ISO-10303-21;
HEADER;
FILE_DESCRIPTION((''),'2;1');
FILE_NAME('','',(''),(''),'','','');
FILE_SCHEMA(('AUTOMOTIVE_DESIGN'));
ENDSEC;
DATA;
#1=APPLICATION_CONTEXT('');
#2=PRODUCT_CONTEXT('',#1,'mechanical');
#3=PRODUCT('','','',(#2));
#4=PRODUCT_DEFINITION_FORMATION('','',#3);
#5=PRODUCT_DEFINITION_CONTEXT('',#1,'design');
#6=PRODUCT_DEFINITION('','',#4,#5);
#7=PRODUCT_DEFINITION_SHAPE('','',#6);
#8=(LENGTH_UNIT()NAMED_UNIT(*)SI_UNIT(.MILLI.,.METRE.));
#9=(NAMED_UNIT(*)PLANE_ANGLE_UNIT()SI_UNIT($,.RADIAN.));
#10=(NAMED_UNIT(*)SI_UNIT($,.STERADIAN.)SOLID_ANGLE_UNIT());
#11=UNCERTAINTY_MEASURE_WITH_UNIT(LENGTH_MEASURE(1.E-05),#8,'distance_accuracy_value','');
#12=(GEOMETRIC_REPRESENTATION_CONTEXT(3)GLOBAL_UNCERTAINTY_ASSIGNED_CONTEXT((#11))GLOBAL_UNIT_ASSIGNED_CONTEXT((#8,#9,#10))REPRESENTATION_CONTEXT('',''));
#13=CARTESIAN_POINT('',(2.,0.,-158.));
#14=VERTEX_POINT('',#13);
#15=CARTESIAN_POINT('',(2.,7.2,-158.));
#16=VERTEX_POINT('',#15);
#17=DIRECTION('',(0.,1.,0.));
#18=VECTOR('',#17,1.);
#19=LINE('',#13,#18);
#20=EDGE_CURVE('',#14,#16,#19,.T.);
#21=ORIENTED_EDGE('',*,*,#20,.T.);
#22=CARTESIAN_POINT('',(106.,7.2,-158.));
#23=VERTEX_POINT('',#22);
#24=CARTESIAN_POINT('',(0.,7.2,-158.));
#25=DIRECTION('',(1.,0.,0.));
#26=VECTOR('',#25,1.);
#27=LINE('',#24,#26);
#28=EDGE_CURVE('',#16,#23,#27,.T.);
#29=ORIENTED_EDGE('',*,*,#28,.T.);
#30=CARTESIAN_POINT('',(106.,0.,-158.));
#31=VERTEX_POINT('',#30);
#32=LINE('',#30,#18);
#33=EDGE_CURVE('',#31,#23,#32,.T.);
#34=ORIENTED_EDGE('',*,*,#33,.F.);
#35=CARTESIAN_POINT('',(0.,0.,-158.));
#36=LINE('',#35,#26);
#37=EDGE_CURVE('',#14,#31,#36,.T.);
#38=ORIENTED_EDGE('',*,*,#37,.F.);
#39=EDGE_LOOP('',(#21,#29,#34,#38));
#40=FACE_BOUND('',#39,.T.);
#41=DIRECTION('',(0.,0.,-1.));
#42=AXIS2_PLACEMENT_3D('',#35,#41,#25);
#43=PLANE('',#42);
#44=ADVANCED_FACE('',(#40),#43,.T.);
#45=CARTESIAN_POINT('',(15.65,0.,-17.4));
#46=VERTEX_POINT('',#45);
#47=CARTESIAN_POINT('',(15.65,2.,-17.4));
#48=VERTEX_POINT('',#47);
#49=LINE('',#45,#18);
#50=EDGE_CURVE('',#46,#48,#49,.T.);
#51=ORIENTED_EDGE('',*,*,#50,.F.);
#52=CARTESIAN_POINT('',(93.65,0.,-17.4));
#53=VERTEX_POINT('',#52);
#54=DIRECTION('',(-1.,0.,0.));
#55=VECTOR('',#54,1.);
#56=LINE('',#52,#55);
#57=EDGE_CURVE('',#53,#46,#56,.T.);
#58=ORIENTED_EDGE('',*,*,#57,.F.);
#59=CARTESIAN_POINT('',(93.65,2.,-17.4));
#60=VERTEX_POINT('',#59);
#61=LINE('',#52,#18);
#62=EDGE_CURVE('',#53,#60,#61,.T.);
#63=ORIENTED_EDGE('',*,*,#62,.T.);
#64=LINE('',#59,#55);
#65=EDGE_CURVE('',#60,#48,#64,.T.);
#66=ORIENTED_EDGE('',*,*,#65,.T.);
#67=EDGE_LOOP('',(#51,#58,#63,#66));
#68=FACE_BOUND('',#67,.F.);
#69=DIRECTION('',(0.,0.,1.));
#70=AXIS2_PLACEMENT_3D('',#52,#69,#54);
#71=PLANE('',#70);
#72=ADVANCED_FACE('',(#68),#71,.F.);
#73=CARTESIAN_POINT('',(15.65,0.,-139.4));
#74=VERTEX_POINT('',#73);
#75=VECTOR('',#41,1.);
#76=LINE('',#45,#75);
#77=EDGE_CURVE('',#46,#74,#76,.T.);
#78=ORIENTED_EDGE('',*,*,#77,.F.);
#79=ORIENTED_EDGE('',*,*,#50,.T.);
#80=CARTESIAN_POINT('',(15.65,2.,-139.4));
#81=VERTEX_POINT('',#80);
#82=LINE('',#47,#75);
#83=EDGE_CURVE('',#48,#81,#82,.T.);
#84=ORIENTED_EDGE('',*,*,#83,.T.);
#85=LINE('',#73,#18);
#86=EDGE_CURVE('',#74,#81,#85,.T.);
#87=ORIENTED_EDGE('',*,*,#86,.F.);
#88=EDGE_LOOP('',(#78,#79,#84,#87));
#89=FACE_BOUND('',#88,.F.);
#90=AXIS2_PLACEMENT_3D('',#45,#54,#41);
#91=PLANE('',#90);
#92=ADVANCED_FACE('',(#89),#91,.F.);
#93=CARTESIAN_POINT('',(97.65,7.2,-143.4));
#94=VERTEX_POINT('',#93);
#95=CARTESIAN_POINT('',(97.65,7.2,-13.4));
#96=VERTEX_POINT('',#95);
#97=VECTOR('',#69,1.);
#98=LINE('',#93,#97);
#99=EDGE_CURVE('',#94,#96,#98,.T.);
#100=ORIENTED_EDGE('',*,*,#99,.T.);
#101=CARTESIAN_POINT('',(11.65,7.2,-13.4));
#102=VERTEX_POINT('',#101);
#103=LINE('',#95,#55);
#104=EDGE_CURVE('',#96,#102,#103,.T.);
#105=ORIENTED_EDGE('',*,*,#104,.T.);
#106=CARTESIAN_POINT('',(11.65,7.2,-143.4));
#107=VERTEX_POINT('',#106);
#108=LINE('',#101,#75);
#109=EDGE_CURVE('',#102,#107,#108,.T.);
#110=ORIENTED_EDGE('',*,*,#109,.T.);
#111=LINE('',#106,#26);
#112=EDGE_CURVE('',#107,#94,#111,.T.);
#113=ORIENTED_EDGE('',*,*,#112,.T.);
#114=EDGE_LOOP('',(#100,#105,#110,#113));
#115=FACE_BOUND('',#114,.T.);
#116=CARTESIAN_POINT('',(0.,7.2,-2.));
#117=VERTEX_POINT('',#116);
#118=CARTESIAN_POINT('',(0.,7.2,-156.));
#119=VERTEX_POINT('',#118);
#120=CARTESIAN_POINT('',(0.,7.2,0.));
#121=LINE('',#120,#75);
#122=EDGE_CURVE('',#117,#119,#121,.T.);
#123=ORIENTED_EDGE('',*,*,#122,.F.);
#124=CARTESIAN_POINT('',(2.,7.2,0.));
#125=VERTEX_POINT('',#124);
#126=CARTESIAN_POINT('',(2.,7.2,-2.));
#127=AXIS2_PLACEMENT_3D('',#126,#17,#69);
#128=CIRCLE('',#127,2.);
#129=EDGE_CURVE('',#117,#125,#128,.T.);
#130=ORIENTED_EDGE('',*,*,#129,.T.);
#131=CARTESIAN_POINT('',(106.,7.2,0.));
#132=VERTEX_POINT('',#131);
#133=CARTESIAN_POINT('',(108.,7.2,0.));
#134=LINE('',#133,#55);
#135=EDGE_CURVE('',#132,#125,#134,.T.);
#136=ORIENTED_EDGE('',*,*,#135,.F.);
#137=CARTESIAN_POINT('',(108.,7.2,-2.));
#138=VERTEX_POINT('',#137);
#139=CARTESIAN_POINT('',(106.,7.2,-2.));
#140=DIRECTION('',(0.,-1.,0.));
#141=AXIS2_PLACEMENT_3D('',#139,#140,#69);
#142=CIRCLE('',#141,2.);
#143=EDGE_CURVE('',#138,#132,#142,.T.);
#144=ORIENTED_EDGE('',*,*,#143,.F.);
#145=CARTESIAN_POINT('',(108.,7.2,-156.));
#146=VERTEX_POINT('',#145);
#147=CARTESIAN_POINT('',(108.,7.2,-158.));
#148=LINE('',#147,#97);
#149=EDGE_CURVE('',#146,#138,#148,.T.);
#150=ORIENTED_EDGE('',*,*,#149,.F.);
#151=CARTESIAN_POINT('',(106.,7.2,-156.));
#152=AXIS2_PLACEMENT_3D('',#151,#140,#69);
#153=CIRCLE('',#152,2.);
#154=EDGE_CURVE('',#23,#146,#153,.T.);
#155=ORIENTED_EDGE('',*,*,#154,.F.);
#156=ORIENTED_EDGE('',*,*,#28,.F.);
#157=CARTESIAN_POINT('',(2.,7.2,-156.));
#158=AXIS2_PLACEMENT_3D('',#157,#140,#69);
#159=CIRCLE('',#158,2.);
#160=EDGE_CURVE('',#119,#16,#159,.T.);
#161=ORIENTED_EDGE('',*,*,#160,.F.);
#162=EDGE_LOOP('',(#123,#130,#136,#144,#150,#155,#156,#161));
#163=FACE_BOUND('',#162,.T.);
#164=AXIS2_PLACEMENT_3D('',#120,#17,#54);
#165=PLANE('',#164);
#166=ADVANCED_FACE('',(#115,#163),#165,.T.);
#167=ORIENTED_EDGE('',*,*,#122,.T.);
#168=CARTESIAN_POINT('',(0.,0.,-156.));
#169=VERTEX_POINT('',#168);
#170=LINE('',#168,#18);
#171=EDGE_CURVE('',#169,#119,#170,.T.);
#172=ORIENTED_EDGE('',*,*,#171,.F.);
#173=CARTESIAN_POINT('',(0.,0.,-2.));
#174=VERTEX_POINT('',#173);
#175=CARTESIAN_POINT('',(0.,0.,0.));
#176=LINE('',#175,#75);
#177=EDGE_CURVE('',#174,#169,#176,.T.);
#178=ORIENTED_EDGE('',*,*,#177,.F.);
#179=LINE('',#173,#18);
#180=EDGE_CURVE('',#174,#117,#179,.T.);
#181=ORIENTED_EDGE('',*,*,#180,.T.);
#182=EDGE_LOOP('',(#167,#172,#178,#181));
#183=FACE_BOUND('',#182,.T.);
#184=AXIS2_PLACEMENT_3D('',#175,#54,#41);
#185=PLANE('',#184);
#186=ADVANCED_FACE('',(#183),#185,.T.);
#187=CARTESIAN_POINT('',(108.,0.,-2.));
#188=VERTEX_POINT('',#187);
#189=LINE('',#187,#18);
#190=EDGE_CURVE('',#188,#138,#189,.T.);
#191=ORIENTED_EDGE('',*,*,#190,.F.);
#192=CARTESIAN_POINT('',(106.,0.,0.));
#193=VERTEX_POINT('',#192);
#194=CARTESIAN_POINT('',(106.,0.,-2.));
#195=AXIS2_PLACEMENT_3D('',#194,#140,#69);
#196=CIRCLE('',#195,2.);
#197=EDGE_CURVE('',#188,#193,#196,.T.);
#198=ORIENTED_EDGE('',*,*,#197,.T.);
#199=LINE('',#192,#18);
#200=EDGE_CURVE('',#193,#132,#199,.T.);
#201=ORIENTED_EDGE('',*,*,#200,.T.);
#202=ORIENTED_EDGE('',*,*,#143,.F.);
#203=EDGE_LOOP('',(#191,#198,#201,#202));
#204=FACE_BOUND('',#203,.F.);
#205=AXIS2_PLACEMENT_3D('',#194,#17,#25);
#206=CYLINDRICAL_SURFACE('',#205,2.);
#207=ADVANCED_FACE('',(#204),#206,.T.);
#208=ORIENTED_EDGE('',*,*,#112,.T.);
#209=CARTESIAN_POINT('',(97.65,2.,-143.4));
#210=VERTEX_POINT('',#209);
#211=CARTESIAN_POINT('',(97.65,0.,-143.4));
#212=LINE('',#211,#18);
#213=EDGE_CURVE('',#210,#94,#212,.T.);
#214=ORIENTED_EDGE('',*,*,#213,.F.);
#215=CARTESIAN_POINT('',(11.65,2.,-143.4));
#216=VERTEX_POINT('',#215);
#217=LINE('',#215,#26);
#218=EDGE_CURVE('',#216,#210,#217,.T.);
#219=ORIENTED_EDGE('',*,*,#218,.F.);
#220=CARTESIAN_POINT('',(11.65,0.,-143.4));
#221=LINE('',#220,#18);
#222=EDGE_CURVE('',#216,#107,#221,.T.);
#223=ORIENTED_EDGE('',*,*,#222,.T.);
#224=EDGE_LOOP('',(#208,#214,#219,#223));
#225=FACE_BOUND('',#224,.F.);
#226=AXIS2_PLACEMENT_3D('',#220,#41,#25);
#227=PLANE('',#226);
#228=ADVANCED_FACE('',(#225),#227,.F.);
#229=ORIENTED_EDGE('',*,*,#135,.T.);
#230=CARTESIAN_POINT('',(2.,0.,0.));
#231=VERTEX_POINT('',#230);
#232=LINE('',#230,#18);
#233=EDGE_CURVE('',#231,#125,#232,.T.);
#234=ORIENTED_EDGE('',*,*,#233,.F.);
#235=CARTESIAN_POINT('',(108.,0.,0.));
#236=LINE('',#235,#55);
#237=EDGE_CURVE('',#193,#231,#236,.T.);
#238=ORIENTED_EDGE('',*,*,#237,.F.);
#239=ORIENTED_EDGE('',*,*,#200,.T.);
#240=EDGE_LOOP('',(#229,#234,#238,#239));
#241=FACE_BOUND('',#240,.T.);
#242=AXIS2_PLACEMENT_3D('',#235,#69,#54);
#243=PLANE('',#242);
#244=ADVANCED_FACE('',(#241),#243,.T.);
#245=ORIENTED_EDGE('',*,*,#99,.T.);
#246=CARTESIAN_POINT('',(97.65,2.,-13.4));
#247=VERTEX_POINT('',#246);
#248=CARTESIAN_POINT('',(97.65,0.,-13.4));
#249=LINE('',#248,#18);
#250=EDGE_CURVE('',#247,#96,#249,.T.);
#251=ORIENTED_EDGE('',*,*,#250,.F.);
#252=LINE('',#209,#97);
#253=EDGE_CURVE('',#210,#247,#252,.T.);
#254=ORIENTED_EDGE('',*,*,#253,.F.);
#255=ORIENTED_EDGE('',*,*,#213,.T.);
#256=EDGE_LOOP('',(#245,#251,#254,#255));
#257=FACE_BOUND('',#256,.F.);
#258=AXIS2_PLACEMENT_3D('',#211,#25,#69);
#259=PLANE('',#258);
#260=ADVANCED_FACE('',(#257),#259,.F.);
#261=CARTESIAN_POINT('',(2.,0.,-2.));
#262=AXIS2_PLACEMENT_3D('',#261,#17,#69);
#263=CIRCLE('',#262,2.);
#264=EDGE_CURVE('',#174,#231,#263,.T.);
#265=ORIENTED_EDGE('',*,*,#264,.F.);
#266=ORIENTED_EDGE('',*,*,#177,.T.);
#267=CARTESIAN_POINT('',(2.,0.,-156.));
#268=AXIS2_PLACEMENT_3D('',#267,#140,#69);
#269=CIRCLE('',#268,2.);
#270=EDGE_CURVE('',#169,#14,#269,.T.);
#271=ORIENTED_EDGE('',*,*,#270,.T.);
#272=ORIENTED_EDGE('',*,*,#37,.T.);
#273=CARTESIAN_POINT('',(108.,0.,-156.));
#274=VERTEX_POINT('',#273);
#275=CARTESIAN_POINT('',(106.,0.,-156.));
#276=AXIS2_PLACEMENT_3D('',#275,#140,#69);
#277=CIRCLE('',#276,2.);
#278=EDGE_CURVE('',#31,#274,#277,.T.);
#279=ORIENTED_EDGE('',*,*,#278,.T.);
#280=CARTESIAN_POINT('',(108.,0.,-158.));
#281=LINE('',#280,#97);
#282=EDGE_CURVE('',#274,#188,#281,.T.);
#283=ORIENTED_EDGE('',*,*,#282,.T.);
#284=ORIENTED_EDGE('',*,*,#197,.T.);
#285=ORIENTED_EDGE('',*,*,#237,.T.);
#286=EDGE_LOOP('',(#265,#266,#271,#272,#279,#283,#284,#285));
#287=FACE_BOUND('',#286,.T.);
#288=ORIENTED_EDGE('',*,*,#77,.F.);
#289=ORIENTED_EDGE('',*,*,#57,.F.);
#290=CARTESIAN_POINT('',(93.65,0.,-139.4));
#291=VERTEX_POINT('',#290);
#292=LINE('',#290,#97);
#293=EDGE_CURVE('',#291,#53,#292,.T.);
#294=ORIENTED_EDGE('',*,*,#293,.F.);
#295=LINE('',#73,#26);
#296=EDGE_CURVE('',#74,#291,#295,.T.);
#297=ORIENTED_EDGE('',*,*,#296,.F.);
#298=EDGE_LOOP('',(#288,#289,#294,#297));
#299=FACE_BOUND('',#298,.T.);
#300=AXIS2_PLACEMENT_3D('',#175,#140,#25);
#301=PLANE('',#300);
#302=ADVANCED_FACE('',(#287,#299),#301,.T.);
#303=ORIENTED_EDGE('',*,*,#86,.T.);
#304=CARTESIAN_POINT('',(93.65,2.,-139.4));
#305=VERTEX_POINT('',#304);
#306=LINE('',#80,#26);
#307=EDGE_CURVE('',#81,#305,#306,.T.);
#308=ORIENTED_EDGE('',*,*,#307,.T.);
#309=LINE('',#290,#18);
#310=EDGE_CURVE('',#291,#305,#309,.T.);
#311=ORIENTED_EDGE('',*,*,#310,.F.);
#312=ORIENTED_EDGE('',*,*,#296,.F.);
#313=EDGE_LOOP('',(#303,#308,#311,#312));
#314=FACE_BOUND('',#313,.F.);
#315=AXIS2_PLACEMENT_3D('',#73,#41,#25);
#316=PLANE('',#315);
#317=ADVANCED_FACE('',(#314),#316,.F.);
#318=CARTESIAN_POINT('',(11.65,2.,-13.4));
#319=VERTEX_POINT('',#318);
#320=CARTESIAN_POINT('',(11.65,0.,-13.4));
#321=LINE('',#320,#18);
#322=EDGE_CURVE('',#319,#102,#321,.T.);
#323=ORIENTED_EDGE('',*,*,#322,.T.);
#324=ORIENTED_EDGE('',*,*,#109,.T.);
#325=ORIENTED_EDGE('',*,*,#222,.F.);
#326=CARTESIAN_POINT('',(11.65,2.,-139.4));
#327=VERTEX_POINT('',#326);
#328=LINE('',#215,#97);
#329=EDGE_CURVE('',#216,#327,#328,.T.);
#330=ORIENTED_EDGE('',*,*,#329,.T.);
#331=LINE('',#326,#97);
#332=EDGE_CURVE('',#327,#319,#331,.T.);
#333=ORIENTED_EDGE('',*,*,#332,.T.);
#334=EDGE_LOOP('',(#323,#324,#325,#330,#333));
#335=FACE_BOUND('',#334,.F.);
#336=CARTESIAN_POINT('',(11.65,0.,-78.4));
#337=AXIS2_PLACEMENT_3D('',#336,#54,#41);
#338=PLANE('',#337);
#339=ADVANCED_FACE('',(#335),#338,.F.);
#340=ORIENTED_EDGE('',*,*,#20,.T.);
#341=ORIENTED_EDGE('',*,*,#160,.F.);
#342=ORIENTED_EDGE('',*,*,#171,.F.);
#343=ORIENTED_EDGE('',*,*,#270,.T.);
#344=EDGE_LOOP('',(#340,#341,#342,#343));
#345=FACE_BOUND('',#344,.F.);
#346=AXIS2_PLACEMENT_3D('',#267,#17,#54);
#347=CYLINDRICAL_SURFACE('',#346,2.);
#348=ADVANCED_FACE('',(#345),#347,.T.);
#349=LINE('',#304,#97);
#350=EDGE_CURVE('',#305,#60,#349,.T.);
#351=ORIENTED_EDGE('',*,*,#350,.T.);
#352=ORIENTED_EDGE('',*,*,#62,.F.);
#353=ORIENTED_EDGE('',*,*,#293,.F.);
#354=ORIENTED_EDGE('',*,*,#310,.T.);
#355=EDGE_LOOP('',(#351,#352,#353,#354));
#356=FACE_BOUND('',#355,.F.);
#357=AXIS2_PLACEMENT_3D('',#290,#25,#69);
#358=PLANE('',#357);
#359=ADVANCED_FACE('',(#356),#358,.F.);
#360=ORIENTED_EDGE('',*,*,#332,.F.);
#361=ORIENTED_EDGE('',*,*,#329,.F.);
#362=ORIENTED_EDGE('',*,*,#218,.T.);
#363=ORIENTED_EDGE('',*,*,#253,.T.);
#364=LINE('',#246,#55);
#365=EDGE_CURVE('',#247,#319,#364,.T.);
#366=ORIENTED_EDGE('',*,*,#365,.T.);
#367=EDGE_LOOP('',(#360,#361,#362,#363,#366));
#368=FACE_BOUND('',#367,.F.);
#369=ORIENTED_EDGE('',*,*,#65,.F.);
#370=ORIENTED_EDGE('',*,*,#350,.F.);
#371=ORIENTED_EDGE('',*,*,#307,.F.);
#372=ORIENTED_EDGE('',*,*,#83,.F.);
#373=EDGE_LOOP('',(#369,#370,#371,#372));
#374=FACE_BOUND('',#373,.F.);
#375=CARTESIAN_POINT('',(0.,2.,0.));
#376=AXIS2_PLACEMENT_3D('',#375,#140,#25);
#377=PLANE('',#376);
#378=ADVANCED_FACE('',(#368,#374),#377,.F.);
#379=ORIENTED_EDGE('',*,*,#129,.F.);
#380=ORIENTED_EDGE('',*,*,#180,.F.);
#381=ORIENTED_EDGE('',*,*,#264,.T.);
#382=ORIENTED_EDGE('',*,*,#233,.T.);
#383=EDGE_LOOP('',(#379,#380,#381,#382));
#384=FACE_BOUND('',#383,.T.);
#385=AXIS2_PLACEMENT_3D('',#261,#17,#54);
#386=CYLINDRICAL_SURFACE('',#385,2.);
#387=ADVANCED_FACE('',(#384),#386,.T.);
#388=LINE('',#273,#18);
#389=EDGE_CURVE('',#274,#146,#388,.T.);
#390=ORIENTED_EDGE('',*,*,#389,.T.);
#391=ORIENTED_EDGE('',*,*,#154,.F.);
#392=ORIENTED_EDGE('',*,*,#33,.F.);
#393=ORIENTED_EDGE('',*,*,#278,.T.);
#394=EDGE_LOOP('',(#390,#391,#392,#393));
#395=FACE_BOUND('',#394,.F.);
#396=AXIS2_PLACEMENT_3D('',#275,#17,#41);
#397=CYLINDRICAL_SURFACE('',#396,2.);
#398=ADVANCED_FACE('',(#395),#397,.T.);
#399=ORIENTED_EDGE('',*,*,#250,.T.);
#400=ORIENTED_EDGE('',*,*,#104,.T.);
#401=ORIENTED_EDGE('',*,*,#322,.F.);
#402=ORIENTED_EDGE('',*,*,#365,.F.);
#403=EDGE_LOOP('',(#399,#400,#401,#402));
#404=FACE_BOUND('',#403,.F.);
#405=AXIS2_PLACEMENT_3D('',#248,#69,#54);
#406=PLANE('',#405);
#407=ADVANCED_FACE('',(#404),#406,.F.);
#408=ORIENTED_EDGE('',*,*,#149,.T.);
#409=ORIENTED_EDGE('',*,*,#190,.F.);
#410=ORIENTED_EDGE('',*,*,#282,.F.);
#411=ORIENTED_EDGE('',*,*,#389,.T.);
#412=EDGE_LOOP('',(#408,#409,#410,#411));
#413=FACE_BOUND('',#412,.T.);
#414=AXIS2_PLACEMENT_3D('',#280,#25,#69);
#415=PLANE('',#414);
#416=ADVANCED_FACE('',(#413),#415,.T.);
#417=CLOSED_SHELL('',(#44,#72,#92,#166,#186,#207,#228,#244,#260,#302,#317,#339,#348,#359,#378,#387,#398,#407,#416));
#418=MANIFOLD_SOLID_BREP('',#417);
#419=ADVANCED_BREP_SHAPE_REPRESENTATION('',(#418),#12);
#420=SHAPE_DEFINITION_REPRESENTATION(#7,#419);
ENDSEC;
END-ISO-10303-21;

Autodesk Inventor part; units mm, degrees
ref_plane "YZ Plane" through (0, 0, 0) normal (1, 0, 0) x (0, 1, 0)
ref_plane "XZ Plane" through (0, 0, 0) normal (0, 1, 0) x (-1, 0, 0)
ref_plane "XY Plane" through (0, 0, 0) normal (0, 0, 1) x (1, 0, 0)
sketch "草图1" plane through (0, 0, 0) normal (0, 1, 0) x (-1, 0, 0)
  line L0 (0, 0) -> (0, -158)
  line L1 (0, -158) -> (-108, -158)
  line L2 (-108, -158) -> (-108, 0)
  line L3 (-108, 0) -> (0, 0)
  line L4 (-54.65, -78.4) -> (-11.65, -78.4)
  line L5 (-11.65, -78.4) -> (-11.65, -143.4)
  line L6 (-11.65, -143.4) -> (-97.65, -143.4)
  line L7 (-97.65, -143.4) -> (-97.65, -13.4)
  line L8 (-97.65, -13.4) -> (-11.65, -13.4)
  line L9 (-11.65, -13.4) -> (-11.65, -78.4)
  dimension "d0" = 158
  dimension "d1" = 108
  dimension "d2" = 43
  dimension "d4" = 65
  dimension "d5" = 86
  dimension "d6" = 130
extrude "拉伸1" add sketch "草图1" along normal blind 7.2
fillet "圆角1" radius 2 4 edges at (108, 3.6, 0) (108, 3.6, -158) (0, 3.6, 0) (0, 3.6, -158)
sketch "草图2" plane through (0, 0, 0) normal (0, -1, 0) x (1, 0, 0)
  line L0 (11.65, -143.4) -> (97.65, -143.4) projected
  line L1 (11.65, -143.4) -> (11.65, -139.4)
  line L2 (11.65, -13.4) -> (11.65, -143.4) projected
  line L3 (11.65, -139.4) -> (15.65, -139.4)
  line L4 (15.65, -139.4) -> (93.65, -139.4)
  line L5 (93.65, -139.4) -> (93.65, -17.4)
  line L6 (93.65, -17.4) -> (15.65, -17.4)
  line L7 (15.65, -17.4) -> (15.65, -139.4)
  line L8 (97.65, -13.4) -> (11.65, -13.4) projected
  line L9 (11.65, -143.4) -> (97.65, -143.4)
  line L10 (97.65, -143.4) -> (97.65, -13.4)
  line L11 (97.65, -13.4) -> (11.65, -13.4)
  line L12 (11.65, -13.4) -> (11.65, -143.4)
  point P0 (0, 0)
  point P1 (97.65, -143.4)
  dimension "d10" = 4
  dimension "d11" = 4
  dimension "d12" = 78
  dimension "d13" = 122
extrude "拉伸2" add sketch "草图2" against normal blind 2
equation "\"折弯半径\" = 厚度"
equation "\"折弯释压宽度\" = 厚度"
equation "\"折弯释压深度\" = 0.5 * 厚度"
equation "\"拐角释压尺寸\" = 4 * 厚度"
equation "\"最小余量\" = 2 * 厚度"
equation "\"过渡半径\" = 折弯半径"
equation "\"Jacobi半径尺寸\" = 折弯半径"
equation "\"间隙大小\" = 厚度"
equation "\"厚度\" = 0.5"
properties part number "plate-holder"
